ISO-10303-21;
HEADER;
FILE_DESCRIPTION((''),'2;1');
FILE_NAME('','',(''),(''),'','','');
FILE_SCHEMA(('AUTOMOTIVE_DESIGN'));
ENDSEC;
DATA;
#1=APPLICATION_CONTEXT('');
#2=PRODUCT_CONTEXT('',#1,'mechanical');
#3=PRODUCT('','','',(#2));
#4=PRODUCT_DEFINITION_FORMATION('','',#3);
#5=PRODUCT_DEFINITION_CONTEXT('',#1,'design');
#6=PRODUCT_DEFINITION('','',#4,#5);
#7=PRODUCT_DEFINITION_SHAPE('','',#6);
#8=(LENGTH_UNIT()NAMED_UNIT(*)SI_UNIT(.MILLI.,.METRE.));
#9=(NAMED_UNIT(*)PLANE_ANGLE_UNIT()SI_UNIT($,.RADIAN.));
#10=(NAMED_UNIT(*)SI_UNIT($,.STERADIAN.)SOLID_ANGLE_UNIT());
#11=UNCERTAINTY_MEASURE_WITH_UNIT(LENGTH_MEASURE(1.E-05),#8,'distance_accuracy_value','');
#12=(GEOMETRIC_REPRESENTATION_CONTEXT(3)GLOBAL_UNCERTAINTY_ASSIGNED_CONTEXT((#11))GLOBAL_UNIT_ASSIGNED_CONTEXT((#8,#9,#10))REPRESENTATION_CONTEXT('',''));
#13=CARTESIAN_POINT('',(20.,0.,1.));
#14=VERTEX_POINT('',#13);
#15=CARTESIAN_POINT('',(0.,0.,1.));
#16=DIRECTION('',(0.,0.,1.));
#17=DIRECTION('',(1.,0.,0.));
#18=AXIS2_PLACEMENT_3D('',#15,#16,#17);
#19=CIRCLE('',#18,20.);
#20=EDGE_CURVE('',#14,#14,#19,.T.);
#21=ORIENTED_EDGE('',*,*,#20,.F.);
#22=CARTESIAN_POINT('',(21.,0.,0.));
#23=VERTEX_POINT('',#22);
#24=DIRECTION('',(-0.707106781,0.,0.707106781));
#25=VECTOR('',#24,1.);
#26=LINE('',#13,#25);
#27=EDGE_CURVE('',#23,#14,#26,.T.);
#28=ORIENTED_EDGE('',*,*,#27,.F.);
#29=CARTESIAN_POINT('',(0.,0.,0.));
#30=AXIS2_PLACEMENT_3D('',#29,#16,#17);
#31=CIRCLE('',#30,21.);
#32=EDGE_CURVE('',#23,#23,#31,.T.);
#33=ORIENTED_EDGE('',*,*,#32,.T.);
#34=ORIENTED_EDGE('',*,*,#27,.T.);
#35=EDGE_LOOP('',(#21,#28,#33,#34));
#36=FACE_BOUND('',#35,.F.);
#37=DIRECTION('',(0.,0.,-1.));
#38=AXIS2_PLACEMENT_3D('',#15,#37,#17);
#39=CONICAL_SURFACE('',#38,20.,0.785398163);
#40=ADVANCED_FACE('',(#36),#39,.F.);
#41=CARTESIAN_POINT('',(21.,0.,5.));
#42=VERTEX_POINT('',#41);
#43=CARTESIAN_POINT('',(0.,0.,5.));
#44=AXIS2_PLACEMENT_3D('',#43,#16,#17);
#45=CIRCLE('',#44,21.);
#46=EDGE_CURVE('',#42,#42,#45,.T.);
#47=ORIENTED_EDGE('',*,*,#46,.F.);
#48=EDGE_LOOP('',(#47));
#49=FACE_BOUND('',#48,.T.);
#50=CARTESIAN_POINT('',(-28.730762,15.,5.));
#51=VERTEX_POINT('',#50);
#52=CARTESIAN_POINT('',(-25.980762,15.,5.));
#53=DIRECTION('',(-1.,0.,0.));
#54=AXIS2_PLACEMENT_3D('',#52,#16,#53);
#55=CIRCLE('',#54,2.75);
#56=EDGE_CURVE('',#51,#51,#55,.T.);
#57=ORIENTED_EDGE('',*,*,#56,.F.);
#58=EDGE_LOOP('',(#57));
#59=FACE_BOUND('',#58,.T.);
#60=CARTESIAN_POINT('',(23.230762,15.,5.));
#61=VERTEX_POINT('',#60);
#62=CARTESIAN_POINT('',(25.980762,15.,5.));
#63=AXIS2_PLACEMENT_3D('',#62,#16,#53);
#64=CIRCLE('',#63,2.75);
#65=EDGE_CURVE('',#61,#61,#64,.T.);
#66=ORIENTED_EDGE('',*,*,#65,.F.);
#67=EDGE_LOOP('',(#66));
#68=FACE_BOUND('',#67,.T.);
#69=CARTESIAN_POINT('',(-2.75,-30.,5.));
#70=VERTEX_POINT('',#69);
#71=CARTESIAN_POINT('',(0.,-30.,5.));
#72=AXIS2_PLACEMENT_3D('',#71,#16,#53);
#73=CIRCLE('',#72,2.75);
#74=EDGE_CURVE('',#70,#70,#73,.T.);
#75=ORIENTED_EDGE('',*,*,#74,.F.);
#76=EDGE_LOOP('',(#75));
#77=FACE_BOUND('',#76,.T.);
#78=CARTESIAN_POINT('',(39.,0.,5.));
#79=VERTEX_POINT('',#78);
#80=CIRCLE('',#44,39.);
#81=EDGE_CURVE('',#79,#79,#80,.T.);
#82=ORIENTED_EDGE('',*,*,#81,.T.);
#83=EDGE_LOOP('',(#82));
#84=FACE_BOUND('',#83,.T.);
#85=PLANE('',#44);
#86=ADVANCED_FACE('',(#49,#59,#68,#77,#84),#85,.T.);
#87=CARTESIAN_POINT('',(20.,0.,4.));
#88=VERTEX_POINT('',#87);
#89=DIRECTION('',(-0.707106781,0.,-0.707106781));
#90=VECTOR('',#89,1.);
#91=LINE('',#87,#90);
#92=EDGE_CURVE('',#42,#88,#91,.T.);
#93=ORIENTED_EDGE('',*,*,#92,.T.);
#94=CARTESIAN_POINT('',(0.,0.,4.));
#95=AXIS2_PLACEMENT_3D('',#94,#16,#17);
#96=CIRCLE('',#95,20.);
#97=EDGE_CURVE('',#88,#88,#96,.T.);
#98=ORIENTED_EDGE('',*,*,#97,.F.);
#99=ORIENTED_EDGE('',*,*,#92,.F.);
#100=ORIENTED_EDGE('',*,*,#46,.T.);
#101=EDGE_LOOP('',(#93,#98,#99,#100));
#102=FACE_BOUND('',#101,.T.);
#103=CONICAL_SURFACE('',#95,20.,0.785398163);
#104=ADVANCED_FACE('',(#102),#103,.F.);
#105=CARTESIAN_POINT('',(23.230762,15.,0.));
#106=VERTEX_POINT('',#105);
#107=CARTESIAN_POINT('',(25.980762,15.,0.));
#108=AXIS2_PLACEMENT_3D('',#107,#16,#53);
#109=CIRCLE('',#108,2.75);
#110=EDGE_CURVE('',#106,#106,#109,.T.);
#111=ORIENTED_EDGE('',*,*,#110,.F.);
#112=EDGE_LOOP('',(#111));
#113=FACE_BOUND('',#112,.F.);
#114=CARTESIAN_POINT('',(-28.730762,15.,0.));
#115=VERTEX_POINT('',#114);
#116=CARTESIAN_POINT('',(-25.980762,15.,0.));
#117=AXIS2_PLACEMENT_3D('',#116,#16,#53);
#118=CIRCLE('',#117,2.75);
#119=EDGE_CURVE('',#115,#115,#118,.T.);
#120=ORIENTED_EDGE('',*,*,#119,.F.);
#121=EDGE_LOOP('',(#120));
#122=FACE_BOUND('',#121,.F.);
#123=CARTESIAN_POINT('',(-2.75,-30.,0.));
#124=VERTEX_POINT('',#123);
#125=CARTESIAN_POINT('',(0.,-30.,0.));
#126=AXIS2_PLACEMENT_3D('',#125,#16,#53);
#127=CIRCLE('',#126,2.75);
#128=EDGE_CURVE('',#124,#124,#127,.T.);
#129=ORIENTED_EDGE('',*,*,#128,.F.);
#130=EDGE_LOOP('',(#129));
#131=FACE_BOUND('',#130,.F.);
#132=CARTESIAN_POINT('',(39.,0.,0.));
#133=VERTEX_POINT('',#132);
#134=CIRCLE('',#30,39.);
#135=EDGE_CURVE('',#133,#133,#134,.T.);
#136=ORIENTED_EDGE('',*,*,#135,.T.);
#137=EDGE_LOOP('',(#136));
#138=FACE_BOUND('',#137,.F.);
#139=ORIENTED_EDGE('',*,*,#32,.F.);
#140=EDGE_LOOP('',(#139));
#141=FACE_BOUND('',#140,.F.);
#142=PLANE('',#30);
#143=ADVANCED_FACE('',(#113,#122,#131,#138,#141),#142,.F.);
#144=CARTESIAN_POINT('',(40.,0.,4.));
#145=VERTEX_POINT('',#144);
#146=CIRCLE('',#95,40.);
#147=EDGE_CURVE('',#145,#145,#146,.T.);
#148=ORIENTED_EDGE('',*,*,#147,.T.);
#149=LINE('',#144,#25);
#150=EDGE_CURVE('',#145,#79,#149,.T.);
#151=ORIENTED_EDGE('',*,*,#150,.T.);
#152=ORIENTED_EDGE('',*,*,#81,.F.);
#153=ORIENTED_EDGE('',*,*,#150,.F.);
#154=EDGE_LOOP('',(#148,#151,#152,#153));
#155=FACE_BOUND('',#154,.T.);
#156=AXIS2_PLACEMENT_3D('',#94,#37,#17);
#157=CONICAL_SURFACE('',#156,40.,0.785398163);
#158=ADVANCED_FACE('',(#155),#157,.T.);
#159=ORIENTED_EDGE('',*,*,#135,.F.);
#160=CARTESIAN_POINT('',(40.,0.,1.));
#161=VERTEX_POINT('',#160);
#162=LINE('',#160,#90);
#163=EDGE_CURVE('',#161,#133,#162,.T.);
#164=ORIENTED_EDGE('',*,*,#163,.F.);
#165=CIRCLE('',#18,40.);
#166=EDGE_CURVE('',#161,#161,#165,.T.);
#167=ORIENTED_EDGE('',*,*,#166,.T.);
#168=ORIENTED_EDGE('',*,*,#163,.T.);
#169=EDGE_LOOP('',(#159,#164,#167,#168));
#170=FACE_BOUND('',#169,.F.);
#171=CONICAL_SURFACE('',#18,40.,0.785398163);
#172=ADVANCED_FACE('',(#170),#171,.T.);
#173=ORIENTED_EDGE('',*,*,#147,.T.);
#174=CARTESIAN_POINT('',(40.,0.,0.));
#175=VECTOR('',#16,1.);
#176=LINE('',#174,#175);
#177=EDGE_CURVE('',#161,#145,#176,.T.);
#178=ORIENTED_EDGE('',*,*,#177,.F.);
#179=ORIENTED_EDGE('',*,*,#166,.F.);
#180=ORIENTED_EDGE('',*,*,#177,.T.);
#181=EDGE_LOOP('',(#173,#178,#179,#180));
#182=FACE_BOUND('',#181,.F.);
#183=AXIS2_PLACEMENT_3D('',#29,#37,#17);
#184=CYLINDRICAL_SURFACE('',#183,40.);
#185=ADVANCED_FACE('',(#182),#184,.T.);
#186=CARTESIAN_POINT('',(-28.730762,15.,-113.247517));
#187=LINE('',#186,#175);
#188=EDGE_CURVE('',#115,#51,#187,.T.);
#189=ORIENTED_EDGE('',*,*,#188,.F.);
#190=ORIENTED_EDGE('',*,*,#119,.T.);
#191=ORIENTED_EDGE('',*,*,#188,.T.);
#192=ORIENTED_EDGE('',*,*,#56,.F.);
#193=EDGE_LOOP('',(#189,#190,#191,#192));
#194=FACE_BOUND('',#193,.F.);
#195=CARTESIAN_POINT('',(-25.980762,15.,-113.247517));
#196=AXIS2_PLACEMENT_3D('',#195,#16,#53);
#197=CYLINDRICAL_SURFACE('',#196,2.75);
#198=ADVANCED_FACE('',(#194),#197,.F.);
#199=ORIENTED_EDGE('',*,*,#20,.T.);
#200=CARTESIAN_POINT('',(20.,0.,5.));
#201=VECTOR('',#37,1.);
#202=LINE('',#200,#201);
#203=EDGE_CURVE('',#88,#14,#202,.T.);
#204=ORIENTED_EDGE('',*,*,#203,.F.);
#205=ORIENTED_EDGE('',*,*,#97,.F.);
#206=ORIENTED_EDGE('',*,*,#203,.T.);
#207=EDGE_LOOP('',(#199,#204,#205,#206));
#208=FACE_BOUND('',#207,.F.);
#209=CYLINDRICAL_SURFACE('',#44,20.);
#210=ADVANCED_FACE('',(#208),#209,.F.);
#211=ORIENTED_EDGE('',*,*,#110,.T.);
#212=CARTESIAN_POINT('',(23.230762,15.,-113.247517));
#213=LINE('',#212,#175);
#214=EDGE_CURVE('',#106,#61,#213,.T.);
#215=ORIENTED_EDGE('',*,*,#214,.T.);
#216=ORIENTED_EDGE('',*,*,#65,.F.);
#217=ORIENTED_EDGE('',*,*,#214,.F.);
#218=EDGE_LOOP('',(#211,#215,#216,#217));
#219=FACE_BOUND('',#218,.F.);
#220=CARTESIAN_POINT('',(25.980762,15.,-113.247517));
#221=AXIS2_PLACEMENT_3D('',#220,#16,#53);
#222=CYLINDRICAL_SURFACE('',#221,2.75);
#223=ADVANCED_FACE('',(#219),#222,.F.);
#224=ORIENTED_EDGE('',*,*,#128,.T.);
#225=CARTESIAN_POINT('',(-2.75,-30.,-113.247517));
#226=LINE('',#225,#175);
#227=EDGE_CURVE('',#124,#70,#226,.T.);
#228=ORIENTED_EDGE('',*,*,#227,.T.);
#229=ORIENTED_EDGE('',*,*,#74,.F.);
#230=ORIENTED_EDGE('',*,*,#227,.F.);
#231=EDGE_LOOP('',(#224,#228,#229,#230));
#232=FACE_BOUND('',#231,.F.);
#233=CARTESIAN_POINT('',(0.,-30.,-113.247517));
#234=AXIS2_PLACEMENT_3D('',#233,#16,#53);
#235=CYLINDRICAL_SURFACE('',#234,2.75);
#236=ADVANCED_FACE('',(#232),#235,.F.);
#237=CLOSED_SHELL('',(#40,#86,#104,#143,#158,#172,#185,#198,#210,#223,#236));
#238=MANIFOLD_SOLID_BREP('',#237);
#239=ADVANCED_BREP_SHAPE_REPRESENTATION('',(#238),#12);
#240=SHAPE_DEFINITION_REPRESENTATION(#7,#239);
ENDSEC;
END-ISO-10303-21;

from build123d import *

# Parameters (mm, degrees)
F0_R     = 40
F1_DEPTH = 5
F3_D     = 5.5
F4_R     = 20
F5_DEPTH = 5.001
F6_SIZE  = 1


with BuildPart() as f1:
    # F0 (on Top) → F1 (new body)
    with BuildSketch(Plane.XY):
        Circle(F0_R)
    extrude(amount=F1_DEPTH)

    # F3 (through all)
    with Locations(Plane(origin=(0, 0, 0), x_dir=(1, 0, 0), z_dir=(0, 0, -1))):
        with Locations((0, 30), (25.980762, -15), (-25.980762, -15)):
            Hole(F3_D / 2)

    # F4 (on face) → F5 (cut, through all)
    with BuildSketch(Plane.XY.offset(5)):
        Circle(F4_R)
    extrude(amount=-F5_DEPTH, mode=Mode.SUBTRACT)

    # F6
    f6_edges = [f1.edges().sort_by_distance(p)[0] for p in [
        (-40, 0, 5),
        (-40, 0, 0),
        (-20, 0, 5),
        (-20, 0, 0),
    ]]
    chamfer(f6_edges, length=F6_SIZE)


solid = f1.part
